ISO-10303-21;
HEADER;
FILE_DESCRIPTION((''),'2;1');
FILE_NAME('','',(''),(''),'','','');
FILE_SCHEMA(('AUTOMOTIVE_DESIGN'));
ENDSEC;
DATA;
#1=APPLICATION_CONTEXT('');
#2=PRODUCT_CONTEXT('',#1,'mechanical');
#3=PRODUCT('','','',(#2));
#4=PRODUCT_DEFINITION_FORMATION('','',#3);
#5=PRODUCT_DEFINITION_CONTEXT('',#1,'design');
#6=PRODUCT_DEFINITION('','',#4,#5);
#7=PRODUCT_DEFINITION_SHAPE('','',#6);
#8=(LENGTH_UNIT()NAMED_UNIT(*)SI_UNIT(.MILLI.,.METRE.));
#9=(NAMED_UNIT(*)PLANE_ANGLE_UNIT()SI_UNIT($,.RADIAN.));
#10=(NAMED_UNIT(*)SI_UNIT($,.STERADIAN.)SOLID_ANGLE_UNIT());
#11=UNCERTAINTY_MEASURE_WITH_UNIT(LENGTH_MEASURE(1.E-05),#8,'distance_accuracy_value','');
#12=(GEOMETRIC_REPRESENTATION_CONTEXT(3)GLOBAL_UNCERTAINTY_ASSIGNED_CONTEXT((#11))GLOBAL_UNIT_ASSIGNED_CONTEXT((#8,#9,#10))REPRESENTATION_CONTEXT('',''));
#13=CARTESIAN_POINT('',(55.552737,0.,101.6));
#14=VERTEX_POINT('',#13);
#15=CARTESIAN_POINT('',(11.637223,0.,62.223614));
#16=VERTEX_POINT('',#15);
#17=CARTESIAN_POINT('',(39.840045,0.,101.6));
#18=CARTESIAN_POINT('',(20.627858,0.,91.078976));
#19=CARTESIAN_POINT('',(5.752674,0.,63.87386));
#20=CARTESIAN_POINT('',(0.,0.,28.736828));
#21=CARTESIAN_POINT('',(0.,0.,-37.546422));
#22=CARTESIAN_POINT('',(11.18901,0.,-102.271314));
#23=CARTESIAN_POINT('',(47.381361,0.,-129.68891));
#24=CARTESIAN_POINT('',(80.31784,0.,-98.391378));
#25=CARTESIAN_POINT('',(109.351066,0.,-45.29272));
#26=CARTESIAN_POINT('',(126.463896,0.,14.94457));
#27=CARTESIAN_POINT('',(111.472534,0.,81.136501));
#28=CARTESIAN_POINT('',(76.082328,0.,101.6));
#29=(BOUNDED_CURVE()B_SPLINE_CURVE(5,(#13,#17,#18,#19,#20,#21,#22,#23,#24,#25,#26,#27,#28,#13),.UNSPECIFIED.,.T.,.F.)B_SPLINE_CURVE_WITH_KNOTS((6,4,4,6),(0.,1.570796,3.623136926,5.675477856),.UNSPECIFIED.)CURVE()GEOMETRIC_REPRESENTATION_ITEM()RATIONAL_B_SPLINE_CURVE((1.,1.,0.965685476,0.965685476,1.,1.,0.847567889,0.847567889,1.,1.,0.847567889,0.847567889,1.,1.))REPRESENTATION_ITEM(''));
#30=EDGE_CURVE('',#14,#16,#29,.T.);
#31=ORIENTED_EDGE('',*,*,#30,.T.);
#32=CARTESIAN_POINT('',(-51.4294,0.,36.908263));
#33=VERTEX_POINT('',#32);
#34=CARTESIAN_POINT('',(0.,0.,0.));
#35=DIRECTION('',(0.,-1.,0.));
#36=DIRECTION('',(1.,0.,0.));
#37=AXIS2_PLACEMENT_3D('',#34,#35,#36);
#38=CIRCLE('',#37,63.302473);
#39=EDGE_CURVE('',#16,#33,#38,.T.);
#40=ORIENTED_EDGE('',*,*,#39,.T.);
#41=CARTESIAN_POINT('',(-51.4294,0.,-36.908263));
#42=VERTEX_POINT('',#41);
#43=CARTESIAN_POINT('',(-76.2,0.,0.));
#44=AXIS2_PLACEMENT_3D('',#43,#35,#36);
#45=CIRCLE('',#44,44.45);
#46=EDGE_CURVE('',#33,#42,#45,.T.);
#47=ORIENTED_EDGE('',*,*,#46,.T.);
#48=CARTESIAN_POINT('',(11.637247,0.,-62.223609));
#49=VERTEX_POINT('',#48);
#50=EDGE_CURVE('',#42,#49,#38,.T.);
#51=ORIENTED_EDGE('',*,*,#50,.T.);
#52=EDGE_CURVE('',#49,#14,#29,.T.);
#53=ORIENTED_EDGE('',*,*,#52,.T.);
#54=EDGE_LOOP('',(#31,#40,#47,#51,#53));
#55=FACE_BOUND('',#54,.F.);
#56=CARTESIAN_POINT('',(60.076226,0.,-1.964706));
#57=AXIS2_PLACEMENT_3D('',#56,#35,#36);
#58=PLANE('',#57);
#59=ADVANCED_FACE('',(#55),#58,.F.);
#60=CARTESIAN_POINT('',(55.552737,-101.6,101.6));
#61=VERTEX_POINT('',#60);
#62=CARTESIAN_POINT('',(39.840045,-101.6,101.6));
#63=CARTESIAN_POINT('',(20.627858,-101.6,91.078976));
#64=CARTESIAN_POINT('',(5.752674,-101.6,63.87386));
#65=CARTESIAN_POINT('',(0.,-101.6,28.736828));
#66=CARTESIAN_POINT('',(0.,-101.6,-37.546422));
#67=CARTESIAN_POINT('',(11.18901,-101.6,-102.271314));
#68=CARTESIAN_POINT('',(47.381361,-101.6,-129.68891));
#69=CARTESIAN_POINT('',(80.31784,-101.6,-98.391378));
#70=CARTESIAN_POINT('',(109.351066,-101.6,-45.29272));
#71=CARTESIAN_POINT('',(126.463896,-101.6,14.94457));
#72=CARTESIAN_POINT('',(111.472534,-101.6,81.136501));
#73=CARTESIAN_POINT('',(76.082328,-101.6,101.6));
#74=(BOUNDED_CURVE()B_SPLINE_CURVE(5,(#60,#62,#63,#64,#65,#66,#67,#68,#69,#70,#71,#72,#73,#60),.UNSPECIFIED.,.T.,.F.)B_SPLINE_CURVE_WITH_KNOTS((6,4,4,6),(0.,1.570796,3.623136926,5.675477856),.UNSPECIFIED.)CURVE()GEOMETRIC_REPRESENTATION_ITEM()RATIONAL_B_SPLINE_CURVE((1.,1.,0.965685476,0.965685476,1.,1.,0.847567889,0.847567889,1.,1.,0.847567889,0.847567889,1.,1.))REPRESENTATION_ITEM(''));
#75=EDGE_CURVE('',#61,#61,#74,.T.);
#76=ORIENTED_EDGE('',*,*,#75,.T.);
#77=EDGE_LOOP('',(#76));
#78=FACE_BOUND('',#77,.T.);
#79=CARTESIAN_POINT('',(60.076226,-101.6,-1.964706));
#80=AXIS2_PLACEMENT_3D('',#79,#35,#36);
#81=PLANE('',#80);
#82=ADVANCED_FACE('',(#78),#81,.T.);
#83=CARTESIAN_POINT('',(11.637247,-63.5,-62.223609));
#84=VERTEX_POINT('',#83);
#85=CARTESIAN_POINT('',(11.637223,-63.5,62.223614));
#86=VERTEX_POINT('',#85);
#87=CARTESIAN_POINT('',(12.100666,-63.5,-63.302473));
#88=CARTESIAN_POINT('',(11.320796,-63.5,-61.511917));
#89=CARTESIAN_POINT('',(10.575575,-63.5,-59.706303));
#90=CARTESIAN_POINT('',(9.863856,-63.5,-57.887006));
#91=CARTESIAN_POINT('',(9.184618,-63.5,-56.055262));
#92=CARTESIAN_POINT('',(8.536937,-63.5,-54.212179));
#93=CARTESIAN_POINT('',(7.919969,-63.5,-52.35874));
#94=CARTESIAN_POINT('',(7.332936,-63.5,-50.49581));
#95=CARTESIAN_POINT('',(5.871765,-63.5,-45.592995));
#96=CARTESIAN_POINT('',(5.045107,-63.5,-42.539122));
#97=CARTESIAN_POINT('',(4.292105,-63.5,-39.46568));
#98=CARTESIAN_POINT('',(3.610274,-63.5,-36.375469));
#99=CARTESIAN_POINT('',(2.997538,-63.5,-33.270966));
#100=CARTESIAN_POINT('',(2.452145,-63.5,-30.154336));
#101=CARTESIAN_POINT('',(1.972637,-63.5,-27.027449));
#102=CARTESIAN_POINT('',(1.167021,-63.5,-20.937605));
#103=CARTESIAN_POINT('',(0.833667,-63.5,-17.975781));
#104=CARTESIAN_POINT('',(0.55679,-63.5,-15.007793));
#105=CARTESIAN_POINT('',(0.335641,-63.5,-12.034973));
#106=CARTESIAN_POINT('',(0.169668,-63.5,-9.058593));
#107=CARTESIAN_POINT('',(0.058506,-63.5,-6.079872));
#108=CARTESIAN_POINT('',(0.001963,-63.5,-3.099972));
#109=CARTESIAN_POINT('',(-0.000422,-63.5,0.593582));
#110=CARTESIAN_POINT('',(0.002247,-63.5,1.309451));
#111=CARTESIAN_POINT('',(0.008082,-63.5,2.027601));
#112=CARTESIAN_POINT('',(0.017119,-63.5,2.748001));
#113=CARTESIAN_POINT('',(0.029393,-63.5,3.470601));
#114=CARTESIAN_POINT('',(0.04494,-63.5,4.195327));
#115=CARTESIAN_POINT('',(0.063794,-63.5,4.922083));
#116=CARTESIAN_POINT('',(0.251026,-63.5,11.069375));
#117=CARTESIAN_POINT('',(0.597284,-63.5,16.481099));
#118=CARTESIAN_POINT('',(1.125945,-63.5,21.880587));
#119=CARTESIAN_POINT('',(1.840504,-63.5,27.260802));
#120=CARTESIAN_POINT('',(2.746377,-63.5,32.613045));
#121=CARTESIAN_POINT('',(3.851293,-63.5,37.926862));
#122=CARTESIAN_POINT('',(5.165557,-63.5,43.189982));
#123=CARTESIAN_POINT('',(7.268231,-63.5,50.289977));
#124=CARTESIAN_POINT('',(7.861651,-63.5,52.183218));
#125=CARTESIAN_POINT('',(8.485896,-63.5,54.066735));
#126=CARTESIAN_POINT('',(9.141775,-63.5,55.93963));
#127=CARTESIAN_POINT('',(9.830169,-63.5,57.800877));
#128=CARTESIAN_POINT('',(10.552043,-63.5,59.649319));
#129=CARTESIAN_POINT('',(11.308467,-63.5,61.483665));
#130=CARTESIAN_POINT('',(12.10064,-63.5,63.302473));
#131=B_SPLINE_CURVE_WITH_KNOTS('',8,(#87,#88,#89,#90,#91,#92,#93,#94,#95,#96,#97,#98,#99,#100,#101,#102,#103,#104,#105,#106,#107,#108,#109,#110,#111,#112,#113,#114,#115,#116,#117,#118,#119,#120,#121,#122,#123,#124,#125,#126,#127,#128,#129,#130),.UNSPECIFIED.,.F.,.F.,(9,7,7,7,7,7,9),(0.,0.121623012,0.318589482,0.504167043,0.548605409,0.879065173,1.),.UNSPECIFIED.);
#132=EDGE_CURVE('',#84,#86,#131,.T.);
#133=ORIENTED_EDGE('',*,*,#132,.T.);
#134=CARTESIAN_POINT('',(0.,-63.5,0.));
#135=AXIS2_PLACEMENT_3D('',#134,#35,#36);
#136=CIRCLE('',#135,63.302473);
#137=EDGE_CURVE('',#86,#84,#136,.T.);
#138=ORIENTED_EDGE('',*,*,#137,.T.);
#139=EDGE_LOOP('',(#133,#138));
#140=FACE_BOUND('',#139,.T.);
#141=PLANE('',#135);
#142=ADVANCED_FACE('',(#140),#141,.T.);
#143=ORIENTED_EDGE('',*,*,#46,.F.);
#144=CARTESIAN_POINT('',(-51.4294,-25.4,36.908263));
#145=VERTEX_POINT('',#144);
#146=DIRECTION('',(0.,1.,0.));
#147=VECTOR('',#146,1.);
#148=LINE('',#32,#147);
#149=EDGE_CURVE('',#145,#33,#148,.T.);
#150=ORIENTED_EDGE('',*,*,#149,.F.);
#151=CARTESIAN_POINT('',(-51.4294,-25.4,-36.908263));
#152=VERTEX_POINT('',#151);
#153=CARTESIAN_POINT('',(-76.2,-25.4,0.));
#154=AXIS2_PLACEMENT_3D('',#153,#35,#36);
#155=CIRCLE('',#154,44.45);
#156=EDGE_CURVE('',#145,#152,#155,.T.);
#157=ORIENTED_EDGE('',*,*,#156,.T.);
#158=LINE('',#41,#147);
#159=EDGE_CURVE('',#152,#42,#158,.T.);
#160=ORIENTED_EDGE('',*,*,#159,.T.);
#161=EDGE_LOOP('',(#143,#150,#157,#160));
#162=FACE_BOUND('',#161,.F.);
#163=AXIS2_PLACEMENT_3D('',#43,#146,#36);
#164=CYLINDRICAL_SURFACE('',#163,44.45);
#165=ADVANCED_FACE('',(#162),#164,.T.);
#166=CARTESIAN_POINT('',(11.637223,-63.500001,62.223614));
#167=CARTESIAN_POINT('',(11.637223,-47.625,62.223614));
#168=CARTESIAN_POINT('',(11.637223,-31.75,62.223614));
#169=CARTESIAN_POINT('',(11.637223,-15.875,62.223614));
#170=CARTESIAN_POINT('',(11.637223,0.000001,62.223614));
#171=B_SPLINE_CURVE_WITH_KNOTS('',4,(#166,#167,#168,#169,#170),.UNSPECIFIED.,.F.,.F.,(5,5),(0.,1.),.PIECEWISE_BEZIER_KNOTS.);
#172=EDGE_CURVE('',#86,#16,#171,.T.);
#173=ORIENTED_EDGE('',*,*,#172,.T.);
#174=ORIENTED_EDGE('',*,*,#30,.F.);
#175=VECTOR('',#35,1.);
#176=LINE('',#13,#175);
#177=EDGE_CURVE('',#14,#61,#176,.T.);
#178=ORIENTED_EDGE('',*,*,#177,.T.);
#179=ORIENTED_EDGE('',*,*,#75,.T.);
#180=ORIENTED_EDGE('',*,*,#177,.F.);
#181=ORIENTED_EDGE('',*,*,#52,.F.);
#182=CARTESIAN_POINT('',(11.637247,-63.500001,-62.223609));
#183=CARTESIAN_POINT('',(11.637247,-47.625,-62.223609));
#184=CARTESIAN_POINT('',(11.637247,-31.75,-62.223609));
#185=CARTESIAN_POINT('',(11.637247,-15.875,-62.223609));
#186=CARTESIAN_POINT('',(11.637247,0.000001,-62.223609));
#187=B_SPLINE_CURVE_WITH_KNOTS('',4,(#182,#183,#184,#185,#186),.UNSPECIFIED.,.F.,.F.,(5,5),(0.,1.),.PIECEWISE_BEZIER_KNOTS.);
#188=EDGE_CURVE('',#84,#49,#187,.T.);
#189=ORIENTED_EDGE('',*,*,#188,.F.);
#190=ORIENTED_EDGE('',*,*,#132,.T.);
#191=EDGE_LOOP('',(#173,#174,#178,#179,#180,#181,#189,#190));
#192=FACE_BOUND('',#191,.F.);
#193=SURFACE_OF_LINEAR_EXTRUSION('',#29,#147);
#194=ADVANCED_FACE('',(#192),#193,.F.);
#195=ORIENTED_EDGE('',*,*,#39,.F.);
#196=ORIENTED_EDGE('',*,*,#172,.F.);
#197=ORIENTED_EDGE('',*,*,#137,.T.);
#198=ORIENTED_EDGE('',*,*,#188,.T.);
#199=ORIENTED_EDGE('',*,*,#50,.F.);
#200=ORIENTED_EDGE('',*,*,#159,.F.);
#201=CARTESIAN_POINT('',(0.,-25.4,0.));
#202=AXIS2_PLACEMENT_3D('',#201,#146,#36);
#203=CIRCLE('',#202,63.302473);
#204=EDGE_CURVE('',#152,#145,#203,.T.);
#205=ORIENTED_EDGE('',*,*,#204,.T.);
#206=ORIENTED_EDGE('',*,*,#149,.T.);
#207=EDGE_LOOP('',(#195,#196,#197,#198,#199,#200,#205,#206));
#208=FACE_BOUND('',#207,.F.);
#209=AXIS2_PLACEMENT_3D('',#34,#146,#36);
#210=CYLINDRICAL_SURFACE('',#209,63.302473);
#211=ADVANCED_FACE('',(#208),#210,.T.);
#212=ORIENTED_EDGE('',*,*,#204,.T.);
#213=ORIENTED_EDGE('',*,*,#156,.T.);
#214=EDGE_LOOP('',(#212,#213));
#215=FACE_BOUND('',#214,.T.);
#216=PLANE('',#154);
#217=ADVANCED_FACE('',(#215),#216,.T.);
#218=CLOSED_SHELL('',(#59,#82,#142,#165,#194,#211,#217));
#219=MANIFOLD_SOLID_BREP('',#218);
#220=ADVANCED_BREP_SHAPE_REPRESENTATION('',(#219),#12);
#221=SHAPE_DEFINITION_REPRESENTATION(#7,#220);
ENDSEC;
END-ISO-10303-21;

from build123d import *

# Parameters (mm, degrees)
F1_R     = 44.45
F4_DEPTH = 25.4
F0_R     = 63.302473
F5_DEPTH = 63.5
F6_DEPTH = 101.6


with BuildPart() as f4:
    # F1 (on Front) → F4 (new body)
    with BuildSketch(Plane.XZ):
        with Locations((-76.2, 0)):
            Circle(F1_R)
    extrude(amount=F4_DEPTH)

    # F0 (on Front) → F5 (join)
    with BuildSketch(Plane.XZ):
        Circle(F0_R)
    extrude(amount=F5_DEPTH)

    # F2 (on Front) → F6 (join)
    with BuildSketch(Plane.XZ):
        with BuildLine():
            Line((55.552737, 0), (0, 0))
            add(Edge.make_bspline(
                [(0, 0), (0, -245.284098), (94.834453, -71.842049), (189.668907, 101.6), (55.552737, 101.6)],
                knots=[1.570796, 1.570796, 1.570796, 3.926991, 3.926991, 6.283185, 6.283185, 6.283185], degree=2, weights=[1, 0.382683, 1, 0.382683, 1]))
            Line((55.552737, 101.6), (55.552737, 0))
        make_face()
        with BuildLine():
            add(Edge.make_bspline(
                [(55.552737, 101.6), (0, 101.6), (0, 0)],
                knots=[0, 0, 0, 1.570796, 1.570796, 1.570796], degree=2, weights=[1, 0.707107, 1]))
            Line((0, 0), (55.552737, 0))
            Line((55.552737, 0), (55.552737, 101.6))
        make_face()
    extrude(amount=F6_DEPTH)


solid = f4.part
